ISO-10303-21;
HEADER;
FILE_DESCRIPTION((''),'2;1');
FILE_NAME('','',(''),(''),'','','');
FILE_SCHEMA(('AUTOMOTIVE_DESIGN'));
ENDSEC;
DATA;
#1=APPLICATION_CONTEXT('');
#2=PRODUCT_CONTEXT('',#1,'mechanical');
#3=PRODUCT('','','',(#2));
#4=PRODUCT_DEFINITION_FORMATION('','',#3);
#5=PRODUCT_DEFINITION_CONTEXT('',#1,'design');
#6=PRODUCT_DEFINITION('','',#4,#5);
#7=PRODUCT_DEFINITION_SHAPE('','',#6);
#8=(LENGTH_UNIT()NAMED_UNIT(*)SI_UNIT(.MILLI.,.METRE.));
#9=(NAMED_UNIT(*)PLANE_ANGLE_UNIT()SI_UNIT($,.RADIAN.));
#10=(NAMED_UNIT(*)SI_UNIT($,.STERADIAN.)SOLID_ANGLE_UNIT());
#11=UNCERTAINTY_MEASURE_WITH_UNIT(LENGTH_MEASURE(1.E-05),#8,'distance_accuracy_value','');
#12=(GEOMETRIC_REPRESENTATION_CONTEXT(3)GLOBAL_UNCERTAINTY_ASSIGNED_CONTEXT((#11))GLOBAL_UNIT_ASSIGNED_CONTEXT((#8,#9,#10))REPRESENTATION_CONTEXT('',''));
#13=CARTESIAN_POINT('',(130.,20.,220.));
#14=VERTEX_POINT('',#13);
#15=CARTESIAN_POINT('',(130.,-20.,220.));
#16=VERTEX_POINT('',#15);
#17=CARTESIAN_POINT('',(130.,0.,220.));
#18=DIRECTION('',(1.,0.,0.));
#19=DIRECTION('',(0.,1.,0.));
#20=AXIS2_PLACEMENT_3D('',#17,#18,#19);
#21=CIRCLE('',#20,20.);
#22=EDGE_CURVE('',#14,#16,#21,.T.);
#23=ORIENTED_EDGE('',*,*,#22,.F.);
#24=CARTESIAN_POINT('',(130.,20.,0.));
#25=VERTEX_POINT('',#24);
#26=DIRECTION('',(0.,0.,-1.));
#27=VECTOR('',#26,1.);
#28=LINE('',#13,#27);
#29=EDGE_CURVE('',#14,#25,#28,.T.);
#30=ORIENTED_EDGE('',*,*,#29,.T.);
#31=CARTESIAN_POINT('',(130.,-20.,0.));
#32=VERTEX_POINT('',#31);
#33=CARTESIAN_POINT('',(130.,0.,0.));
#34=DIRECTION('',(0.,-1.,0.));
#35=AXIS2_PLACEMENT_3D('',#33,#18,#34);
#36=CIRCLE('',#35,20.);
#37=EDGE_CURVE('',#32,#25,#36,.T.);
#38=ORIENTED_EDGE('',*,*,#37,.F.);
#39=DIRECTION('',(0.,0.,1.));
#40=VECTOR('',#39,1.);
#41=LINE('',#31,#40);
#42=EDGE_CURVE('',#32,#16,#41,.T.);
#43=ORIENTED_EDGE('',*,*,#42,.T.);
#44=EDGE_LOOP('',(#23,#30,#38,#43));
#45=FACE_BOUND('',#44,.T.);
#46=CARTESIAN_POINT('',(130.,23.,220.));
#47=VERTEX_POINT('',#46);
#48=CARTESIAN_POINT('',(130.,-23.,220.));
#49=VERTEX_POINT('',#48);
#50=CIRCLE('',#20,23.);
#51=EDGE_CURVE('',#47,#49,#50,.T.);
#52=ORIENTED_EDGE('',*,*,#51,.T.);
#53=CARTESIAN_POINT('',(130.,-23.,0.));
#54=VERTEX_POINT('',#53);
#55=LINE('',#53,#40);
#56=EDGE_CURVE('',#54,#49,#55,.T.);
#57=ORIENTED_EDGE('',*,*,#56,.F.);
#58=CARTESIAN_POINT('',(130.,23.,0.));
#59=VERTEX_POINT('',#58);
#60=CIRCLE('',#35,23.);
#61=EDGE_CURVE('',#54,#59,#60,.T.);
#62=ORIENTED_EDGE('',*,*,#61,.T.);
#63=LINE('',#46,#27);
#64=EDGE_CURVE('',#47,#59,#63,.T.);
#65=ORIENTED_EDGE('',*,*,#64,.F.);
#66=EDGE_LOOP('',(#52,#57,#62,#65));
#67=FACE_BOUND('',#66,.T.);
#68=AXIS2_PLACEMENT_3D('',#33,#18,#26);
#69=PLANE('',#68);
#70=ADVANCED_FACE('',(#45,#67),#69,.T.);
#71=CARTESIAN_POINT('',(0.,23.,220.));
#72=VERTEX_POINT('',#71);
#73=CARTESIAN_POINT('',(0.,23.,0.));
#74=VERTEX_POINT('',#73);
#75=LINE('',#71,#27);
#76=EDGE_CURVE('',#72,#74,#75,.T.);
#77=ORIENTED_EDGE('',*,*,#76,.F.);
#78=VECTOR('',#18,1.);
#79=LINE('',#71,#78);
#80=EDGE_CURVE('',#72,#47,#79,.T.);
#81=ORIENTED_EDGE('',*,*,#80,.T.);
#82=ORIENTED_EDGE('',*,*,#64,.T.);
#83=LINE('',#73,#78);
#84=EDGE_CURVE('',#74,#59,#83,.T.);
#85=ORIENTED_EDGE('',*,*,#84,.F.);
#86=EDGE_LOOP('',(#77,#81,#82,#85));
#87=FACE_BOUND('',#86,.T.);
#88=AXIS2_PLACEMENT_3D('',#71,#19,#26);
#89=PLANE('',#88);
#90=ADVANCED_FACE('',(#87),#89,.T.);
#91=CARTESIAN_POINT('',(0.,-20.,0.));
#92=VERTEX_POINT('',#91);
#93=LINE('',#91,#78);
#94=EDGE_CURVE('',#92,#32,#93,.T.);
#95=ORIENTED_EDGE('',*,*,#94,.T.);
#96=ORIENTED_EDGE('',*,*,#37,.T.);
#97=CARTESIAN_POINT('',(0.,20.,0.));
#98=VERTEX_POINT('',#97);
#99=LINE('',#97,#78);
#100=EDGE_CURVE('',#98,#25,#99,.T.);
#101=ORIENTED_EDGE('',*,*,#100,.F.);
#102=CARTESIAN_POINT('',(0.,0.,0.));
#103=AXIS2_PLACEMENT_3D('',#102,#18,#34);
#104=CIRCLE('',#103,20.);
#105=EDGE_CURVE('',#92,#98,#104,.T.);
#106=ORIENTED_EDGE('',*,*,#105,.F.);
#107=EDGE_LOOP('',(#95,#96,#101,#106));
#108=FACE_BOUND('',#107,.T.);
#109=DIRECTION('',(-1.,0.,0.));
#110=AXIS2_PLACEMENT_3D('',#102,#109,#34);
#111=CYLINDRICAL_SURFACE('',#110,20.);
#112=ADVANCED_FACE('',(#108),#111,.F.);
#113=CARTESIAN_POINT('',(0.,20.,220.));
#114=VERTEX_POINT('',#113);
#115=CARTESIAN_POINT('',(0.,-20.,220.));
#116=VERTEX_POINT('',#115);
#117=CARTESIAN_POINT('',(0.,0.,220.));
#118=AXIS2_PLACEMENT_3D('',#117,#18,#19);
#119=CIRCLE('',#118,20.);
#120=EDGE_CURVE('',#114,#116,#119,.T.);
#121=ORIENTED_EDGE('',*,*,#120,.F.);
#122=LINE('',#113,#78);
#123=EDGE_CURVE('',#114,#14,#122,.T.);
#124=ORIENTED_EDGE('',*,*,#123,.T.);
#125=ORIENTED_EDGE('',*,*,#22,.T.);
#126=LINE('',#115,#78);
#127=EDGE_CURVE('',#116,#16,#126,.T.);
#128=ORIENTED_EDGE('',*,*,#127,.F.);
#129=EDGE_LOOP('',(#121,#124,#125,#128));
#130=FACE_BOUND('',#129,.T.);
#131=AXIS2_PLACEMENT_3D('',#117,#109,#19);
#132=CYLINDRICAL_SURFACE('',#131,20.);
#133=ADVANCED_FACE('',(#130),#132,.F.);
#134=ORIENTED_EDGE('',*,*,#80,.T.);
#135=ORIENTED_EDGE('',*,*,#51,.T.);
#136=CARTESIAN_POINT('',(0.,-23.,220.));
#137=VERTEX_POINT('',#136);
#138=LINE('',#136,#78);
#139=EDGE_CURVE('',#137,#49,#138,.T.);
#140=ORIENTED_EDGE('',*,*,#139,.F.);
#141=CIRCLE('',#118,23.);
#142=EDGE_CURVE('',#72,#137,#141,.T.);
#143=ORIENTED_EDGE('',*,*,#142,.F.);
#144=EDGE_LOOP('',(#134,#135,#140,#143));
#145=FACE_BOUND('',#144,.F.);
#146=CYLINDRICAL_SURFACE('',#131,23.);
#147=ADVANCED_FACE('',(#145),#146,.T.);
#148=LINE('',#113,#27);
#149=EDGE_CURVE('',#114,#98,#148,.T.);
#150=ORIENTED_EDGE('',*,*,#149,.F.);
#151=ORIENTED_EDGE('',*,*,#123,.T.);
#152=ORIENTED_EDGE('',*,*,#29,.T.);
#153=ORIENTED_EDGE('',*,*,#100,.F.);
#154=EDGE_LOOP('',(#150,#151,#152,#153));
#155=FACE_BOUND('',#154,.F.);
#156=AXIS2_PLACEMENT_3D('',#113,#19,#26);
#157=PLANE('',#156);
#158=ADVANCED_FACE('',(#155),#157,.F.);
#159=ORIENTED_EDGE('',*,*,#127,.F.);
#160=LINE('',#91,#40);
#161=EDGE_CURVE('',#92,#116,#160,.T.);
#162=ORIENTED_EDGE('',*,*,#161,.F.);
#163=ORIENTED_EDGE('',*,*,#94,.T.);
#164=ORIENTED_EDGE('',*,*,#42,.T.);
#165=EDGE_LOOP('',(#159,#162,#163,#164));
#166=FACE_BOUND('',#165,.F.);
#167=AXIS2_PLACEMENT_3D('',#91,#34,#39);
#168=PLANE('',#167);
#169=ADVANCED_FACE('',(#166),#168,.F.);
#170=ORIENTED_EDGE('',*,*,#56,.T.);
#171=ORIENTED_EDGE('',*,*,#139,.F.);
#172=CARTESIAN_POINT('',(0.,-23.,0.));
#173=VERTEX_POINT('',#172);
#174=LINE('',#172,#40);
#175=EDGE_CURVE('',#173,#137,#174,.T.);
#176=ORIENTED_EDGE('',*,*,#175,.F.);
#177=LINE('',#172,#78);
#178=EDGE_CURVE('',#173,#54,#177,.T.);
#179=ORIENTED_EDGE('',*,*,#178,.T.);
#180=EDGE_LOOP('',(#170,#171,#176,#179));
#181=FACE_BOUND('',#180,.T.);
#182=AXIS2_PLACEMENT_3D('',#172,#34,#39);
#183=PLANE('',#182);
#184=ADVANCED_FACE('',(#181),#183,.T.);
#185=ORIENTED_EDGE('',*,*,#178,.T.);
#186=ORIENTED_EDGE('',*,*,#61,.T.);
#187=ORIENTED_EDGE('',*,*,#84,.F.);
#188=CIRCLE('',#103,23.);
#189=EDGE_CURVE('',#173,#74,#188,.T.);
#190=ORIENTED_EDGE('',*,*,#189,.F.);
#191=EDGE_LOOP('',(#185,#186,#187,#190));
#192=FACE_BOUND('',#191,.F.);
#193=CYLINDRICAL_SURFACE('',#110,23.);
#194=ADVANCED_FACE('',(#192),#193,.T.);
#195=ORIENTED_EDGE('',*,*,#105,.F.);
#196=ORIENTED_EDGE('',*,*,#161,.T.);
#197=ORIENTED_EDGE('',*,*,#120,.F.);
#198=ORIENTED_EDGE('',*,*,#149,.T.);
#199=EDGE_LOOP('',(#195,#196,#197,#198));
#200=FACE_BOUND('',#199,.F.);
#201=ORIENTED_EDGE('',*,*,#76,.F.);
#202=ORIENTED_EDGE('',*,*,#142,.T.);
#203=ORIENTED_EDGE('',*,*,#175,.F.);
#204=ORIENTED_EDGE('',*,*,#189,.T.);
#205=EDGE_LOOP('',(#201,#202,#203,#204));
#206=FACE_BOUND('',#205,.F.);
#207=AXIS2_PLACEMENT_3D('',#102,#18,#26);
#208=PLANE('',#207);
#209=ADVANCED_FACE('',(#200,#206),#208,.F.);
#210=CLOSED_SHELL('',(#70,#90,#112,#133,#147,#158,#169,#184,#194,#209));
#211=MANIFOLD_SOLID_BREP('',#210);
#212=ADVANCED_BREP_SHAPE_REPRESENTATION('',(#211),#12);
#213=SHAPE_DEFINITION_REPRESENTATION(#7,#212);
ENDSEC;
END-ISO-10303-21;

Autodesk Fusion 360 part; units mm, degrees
sketch "Sketch1" plane through (0, 0, 0) normal (1, 0, 0) x (0, 0, -1)
  line L0 (-220, 20) -> (0, 20)
  line L1 (0, -20) -> (-220, -20)
  arc A0 (-220, 20) -> (-220, -20) centre (-220, 0) ccw
  arc A1 (0, -20) -> (0, 20) centre (0, 0) ccw
  arc A2 (0, -23) -> (0, 23) centre (0, 0) ccw
  line L2 (-220, 23) -> (0, 23)
  arc A3 (-220, 23) -> (-220, -23) centre (-220, 0) ccw
  line L3 (0, -23) -> (-220, -23)
  dimension "d2" = 40
  dimension "d3" = 40
  dimension "d4" = 220
  dimension "d5" = 220
  dimension "d6" = 220
  dimension "d7" = -3
extrude "Extrude1" add sketch "Sketch1" along normal blind 130
